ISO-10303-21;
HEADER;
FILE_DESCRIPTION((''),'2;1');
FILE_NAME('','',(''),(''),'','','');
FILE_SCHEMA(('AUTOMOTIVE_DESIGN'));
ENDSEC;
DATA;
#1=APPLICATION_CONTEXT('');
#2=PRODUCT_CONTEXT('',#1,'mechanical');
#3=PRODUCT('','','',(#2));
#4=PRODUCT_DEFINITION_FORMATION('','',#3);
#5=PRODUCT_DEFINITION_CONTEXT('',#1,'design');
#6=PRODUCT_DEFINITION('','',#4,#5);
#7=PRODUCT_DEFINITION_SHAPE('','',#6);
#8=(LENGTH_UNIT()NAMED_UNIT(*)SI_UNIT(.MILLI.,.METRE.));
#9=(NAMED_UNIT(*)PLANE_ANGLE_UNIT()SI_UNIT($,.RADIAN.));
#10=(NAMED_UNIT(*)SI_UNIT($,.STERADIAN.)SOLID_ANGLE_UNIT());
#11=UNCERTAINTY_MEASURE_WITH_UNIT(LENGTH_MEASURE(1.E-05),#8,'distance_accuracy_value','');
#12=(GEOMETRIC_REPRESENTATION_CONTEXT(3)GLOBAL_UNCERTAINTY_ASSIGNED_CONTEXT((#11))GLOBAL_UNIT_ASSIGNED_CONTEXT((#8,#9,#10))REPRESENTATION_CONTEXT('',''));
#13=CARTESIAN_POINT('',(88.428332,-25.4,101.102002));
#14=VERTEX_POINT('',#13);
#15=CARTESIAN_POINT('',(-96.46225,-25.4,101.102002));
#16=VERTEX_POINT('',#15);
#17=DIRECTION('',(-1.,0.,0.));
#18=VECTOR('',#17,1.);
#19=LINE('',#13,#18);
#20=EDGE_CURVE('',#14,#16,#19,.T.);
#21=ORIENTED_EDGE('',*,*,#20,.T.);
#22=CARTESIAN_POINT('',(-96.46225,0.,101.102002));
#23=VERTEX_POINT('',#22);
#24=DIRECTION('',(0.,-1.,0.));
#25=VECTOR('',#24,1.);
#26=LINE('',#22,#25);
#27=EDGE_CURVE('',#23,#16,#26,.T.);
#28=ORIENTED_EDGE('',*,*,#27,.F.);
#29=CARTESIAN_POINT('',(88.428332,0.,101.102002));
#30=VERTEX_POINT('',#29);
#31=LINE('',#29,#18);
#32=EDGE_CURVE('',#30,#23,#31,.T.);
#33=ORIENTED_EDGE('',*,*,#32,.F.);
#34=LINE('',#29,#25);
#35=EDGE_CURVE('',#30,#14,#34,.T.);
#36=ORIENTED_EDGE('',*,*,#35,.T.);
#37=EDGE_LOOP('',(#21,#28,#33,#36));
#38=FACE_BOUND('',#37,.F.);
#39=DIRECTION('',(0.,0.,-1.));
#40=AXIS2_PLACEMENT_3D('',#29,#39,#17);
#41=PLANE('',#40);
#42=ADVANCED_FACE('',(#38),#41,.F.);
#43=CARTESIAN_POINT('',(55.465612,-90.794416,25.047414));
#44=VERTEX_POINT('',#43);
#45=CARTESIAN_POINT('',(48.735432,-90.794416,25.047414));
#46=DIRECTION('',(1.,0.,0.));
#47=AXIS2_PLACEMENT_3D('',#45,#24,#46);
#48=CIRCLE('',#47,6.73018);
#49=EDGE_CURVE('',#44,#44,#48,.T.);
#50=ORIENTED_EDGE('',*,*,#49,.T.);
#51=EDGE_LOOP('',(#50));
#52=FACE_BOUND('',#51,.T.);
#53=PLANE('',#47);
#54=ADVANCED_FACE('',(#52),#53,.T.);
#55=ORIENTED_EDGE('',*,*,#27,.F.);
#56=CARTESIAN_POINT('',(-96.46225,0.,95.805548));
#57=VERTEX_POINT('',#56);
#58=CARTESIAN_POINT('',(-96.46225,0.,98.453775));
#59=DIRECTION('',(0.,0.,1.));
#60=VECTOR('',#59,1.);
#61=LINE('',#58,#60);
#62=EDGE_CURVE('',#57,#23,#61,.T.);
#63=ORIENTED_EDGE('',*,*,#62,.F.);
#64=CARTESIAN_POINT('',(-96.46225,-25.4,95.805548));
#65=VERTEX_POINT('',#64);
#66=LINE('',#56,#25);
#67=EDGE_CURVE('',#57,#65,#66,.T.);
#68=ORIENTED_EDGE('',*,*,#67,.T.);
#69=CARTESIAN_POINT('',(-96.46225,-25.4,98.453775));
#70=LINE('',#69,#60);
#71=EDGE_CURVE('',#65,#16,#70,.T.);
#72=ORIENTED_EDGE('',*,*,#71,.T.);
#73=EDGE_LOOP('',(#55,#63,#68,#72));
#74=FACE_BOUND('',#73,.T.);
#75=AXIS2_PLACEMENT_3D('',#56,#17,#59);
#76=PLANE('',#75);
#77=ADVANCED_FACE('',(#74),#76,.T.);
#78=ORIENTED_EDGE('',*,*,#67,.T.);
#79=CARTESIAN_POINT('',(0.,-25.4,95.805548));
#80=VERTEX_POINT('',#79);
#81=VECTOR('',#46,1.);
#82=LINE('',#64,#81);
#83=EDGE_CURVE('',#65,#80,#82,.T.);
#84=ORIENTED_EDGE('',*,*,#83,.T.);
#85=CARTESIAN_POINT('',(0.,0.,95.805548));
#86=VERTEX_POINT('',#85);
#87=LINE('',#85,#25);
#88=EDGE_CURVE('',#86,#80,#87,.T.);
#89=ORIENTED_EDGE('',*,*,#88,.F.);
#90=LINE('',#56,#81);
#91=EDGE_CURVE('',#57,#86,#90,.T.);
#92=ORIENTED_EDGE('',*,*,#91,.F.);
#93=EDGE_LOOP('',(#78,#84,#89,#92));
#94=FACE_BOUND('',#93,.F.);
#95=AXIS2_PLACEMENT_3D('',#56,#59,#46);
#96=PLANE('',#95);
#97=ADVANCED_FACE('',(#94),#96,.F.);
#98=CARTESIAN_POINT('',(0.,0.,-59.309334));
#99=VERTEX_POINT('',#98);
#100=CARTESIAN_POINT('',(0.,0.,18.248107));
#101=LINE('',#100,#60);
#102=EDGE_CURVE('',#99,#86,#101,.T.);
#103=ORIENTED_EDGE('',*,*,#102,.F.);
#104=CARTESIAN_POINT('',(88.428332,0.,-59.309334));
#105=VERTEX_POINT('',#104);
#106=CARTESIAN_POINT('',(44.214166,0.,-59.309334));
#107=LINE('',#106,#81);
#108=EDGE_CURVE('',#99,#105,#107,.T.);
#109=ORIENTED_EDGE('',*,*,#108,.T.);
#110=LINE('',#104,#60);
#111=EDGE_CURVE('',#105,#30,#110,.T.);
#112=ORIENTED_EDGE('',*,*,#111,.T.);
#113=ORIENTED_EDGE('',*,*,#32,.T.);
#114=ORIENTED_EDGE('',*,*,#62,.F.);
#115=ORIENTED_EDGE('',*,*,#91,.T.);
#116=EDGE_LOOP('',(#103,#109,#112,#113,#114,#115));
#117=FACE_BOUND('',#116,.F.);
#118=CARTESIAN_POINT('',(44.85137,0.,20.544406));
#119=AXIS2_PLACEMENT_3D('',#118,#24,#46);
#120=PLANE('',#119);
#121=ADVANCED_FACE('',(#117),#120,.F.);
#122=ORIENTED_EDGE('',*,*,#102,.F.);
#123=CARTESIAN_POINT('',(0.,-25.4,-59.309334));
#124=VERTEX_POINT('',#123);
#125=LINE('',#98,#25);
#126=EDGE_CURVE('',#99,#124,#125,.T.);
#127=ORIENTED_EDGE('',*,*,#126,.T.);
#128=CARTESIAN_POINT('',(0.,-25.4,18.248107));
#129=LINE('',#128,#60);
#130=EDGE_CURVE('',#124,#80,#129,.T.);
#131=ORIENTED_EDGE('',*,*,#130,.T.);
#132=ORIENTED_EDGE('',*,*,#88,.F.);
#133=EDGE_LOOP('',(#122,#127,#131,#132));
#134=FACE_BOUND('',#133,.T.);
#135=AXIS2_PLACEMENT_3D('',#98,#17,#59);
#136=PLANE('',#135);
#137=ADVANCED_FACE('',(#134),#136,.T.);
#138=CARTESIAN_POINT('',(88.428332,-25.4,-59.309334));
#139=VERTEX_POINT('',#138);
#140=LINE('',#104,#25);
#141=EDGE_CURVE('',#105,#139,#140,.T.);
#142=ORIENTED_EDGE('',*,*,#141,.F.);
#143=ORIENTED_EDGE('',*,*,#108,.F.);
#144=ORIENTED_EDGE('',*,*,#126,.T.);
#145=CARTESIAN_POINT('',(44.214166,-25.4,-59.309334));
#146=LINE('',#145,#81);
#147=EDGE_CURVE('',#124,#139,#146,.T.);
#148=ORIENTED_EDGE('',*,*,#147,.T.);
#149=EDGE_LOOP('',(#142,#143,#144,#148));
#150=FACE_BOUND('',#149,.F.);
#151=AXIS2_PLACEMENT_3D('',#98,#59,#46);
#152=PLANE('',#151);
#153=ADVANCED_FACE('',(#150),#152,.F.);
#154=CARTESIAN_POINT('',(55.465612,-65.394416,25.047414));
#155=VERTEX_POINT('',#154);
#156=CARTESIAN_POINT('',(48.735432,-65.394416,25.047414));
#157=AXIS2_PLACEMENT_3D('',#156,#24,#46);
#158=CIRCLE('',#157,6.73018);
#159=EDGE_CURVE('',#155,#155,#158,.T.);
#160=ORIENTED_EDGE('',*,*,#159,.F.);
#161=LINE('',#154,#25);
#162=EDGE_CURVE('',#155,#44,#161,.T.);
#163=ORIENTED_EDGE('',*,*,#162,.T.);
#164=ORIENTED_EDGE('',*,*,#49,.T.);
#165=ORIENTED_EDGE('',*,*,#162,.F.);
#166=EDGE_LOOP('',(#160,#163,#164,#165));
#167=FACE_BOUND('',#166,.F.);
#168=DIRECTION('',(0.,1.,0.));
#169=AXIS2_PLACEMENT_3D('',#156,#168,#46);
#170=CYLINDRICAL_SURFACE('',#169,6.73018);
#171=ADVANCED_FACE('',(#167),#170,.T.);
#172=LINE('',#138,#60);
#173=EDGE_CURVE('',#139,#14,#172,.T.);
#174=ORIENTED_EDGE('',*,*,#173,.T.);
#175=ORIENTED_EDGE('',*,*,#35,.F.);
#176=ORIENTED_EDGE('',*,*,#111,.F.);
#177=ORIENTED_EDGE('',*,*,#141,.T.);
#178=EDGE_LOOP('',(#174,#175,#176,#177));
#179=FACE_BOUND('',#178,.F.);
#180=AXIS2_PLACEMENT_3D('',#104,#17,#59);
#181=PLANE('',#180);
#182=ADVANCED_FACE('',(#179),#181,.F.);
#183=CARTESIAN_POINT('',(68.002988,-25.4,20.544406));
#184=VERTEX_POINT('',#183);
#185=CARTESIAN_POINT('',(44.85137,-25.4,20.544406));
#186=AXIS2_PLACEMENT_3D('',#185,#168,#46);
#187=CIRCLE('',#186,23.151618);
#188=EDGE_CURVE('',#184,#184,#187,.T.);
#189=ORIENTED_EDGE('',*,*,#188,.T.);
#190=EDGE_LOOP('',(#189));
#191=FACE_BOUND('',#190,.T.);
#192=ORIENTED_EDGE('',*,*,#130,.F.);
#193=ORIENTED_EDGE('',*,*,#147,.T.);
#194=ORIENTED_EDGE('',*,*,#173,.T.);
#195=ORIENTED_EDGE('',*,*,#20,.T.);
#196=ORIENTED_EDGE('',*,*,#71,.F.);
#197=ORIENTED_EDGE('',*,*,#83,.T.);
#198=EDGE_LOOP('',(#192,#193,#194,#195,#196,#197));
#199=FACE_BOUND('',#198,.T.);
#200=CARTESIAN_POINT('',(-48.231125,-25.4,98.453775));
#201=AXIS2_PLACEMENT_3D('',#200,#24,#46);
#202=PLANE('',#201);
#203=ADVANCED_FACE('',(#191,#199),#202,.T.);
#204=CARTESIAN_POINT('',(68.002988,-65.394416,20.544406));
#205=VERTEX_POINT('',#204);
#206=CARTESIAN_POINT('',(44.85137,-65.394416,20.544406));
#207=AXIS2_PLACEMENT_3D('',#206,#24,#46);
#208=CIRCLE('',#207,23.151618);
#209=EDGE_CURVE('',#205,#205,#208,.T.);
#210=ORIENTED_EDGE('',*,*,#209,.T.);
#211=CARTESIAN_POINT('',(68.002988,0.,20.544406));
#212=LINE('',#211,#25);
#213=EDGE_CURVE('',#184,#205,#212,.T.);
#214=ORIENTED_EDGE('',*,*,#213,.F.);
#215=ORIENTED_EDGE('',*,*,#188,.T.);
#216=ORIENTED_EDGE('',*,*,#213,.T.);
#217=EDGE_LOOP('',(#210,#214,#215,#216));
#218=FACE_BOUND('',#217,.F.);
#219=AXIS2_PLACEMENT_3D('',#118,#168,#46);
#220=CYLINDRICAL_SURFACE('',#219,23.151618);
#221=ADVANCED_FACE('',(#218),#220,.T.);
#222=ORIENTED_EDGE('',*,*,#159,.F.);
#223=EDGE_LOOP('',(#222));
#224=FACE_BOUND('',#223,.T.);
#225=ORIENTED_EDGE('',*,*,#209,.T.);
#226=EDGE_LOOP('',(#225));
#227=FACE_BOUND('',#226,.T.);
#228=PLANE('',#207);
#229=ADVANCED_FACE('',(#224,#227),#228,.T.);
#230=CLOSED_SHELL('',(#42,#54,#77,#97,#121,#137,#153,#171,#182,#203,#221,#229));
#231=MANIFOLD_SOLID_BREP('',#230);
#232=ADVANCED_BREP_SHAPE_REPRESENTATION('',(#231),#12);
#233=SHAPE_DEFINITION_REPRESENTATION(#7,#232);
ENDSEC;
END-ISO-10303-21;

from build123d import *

# Parameters (mm, degrees)
F0_W     = 96.46225
F0_H     = 5.296454
F0_W_2   = 88.428333
F0_H_2   = 155.114882
F1_DEPTH = 25.4
F2_R     = 23.151618
F3_DEPTH = 65.394416
F4_R     = 6.73018
F5_DEPTH = 25.4


with BuildPart() as f1:
    # F0 (on Front) → F1 (new body)
    with BuildSketch(Plane.XZ):
        with Locations((-48.231125, 98.453775)):
            Rectangle(F0_W, F0_H)
        with Locations((44.214166, 98.453775)):
            Rectangle(F0_W_2, F0_H)
        with Locations((44.214166, 18.248107)):
            Rectangle(F0_W_2, F0_H_2)
    extrude(amount=F1_DEPTH)

    # F2 (on Front) → F3 (join)
    with BuildSketch(Plane.XZ):
        with Locations((44.85137, 20.544406)):
            Circle(F2_R)
    extrude(amount=F3_DEPTH)

    # F4 (on face) → F5 (join)
    with BuildSketch(Plane.XZ.offset(65.394416)):
        with Locations((48.735432, 25.047414)):
            Circle(F4_R)
    extrude(amount=F5_DEPTH)


solid = f1.part
